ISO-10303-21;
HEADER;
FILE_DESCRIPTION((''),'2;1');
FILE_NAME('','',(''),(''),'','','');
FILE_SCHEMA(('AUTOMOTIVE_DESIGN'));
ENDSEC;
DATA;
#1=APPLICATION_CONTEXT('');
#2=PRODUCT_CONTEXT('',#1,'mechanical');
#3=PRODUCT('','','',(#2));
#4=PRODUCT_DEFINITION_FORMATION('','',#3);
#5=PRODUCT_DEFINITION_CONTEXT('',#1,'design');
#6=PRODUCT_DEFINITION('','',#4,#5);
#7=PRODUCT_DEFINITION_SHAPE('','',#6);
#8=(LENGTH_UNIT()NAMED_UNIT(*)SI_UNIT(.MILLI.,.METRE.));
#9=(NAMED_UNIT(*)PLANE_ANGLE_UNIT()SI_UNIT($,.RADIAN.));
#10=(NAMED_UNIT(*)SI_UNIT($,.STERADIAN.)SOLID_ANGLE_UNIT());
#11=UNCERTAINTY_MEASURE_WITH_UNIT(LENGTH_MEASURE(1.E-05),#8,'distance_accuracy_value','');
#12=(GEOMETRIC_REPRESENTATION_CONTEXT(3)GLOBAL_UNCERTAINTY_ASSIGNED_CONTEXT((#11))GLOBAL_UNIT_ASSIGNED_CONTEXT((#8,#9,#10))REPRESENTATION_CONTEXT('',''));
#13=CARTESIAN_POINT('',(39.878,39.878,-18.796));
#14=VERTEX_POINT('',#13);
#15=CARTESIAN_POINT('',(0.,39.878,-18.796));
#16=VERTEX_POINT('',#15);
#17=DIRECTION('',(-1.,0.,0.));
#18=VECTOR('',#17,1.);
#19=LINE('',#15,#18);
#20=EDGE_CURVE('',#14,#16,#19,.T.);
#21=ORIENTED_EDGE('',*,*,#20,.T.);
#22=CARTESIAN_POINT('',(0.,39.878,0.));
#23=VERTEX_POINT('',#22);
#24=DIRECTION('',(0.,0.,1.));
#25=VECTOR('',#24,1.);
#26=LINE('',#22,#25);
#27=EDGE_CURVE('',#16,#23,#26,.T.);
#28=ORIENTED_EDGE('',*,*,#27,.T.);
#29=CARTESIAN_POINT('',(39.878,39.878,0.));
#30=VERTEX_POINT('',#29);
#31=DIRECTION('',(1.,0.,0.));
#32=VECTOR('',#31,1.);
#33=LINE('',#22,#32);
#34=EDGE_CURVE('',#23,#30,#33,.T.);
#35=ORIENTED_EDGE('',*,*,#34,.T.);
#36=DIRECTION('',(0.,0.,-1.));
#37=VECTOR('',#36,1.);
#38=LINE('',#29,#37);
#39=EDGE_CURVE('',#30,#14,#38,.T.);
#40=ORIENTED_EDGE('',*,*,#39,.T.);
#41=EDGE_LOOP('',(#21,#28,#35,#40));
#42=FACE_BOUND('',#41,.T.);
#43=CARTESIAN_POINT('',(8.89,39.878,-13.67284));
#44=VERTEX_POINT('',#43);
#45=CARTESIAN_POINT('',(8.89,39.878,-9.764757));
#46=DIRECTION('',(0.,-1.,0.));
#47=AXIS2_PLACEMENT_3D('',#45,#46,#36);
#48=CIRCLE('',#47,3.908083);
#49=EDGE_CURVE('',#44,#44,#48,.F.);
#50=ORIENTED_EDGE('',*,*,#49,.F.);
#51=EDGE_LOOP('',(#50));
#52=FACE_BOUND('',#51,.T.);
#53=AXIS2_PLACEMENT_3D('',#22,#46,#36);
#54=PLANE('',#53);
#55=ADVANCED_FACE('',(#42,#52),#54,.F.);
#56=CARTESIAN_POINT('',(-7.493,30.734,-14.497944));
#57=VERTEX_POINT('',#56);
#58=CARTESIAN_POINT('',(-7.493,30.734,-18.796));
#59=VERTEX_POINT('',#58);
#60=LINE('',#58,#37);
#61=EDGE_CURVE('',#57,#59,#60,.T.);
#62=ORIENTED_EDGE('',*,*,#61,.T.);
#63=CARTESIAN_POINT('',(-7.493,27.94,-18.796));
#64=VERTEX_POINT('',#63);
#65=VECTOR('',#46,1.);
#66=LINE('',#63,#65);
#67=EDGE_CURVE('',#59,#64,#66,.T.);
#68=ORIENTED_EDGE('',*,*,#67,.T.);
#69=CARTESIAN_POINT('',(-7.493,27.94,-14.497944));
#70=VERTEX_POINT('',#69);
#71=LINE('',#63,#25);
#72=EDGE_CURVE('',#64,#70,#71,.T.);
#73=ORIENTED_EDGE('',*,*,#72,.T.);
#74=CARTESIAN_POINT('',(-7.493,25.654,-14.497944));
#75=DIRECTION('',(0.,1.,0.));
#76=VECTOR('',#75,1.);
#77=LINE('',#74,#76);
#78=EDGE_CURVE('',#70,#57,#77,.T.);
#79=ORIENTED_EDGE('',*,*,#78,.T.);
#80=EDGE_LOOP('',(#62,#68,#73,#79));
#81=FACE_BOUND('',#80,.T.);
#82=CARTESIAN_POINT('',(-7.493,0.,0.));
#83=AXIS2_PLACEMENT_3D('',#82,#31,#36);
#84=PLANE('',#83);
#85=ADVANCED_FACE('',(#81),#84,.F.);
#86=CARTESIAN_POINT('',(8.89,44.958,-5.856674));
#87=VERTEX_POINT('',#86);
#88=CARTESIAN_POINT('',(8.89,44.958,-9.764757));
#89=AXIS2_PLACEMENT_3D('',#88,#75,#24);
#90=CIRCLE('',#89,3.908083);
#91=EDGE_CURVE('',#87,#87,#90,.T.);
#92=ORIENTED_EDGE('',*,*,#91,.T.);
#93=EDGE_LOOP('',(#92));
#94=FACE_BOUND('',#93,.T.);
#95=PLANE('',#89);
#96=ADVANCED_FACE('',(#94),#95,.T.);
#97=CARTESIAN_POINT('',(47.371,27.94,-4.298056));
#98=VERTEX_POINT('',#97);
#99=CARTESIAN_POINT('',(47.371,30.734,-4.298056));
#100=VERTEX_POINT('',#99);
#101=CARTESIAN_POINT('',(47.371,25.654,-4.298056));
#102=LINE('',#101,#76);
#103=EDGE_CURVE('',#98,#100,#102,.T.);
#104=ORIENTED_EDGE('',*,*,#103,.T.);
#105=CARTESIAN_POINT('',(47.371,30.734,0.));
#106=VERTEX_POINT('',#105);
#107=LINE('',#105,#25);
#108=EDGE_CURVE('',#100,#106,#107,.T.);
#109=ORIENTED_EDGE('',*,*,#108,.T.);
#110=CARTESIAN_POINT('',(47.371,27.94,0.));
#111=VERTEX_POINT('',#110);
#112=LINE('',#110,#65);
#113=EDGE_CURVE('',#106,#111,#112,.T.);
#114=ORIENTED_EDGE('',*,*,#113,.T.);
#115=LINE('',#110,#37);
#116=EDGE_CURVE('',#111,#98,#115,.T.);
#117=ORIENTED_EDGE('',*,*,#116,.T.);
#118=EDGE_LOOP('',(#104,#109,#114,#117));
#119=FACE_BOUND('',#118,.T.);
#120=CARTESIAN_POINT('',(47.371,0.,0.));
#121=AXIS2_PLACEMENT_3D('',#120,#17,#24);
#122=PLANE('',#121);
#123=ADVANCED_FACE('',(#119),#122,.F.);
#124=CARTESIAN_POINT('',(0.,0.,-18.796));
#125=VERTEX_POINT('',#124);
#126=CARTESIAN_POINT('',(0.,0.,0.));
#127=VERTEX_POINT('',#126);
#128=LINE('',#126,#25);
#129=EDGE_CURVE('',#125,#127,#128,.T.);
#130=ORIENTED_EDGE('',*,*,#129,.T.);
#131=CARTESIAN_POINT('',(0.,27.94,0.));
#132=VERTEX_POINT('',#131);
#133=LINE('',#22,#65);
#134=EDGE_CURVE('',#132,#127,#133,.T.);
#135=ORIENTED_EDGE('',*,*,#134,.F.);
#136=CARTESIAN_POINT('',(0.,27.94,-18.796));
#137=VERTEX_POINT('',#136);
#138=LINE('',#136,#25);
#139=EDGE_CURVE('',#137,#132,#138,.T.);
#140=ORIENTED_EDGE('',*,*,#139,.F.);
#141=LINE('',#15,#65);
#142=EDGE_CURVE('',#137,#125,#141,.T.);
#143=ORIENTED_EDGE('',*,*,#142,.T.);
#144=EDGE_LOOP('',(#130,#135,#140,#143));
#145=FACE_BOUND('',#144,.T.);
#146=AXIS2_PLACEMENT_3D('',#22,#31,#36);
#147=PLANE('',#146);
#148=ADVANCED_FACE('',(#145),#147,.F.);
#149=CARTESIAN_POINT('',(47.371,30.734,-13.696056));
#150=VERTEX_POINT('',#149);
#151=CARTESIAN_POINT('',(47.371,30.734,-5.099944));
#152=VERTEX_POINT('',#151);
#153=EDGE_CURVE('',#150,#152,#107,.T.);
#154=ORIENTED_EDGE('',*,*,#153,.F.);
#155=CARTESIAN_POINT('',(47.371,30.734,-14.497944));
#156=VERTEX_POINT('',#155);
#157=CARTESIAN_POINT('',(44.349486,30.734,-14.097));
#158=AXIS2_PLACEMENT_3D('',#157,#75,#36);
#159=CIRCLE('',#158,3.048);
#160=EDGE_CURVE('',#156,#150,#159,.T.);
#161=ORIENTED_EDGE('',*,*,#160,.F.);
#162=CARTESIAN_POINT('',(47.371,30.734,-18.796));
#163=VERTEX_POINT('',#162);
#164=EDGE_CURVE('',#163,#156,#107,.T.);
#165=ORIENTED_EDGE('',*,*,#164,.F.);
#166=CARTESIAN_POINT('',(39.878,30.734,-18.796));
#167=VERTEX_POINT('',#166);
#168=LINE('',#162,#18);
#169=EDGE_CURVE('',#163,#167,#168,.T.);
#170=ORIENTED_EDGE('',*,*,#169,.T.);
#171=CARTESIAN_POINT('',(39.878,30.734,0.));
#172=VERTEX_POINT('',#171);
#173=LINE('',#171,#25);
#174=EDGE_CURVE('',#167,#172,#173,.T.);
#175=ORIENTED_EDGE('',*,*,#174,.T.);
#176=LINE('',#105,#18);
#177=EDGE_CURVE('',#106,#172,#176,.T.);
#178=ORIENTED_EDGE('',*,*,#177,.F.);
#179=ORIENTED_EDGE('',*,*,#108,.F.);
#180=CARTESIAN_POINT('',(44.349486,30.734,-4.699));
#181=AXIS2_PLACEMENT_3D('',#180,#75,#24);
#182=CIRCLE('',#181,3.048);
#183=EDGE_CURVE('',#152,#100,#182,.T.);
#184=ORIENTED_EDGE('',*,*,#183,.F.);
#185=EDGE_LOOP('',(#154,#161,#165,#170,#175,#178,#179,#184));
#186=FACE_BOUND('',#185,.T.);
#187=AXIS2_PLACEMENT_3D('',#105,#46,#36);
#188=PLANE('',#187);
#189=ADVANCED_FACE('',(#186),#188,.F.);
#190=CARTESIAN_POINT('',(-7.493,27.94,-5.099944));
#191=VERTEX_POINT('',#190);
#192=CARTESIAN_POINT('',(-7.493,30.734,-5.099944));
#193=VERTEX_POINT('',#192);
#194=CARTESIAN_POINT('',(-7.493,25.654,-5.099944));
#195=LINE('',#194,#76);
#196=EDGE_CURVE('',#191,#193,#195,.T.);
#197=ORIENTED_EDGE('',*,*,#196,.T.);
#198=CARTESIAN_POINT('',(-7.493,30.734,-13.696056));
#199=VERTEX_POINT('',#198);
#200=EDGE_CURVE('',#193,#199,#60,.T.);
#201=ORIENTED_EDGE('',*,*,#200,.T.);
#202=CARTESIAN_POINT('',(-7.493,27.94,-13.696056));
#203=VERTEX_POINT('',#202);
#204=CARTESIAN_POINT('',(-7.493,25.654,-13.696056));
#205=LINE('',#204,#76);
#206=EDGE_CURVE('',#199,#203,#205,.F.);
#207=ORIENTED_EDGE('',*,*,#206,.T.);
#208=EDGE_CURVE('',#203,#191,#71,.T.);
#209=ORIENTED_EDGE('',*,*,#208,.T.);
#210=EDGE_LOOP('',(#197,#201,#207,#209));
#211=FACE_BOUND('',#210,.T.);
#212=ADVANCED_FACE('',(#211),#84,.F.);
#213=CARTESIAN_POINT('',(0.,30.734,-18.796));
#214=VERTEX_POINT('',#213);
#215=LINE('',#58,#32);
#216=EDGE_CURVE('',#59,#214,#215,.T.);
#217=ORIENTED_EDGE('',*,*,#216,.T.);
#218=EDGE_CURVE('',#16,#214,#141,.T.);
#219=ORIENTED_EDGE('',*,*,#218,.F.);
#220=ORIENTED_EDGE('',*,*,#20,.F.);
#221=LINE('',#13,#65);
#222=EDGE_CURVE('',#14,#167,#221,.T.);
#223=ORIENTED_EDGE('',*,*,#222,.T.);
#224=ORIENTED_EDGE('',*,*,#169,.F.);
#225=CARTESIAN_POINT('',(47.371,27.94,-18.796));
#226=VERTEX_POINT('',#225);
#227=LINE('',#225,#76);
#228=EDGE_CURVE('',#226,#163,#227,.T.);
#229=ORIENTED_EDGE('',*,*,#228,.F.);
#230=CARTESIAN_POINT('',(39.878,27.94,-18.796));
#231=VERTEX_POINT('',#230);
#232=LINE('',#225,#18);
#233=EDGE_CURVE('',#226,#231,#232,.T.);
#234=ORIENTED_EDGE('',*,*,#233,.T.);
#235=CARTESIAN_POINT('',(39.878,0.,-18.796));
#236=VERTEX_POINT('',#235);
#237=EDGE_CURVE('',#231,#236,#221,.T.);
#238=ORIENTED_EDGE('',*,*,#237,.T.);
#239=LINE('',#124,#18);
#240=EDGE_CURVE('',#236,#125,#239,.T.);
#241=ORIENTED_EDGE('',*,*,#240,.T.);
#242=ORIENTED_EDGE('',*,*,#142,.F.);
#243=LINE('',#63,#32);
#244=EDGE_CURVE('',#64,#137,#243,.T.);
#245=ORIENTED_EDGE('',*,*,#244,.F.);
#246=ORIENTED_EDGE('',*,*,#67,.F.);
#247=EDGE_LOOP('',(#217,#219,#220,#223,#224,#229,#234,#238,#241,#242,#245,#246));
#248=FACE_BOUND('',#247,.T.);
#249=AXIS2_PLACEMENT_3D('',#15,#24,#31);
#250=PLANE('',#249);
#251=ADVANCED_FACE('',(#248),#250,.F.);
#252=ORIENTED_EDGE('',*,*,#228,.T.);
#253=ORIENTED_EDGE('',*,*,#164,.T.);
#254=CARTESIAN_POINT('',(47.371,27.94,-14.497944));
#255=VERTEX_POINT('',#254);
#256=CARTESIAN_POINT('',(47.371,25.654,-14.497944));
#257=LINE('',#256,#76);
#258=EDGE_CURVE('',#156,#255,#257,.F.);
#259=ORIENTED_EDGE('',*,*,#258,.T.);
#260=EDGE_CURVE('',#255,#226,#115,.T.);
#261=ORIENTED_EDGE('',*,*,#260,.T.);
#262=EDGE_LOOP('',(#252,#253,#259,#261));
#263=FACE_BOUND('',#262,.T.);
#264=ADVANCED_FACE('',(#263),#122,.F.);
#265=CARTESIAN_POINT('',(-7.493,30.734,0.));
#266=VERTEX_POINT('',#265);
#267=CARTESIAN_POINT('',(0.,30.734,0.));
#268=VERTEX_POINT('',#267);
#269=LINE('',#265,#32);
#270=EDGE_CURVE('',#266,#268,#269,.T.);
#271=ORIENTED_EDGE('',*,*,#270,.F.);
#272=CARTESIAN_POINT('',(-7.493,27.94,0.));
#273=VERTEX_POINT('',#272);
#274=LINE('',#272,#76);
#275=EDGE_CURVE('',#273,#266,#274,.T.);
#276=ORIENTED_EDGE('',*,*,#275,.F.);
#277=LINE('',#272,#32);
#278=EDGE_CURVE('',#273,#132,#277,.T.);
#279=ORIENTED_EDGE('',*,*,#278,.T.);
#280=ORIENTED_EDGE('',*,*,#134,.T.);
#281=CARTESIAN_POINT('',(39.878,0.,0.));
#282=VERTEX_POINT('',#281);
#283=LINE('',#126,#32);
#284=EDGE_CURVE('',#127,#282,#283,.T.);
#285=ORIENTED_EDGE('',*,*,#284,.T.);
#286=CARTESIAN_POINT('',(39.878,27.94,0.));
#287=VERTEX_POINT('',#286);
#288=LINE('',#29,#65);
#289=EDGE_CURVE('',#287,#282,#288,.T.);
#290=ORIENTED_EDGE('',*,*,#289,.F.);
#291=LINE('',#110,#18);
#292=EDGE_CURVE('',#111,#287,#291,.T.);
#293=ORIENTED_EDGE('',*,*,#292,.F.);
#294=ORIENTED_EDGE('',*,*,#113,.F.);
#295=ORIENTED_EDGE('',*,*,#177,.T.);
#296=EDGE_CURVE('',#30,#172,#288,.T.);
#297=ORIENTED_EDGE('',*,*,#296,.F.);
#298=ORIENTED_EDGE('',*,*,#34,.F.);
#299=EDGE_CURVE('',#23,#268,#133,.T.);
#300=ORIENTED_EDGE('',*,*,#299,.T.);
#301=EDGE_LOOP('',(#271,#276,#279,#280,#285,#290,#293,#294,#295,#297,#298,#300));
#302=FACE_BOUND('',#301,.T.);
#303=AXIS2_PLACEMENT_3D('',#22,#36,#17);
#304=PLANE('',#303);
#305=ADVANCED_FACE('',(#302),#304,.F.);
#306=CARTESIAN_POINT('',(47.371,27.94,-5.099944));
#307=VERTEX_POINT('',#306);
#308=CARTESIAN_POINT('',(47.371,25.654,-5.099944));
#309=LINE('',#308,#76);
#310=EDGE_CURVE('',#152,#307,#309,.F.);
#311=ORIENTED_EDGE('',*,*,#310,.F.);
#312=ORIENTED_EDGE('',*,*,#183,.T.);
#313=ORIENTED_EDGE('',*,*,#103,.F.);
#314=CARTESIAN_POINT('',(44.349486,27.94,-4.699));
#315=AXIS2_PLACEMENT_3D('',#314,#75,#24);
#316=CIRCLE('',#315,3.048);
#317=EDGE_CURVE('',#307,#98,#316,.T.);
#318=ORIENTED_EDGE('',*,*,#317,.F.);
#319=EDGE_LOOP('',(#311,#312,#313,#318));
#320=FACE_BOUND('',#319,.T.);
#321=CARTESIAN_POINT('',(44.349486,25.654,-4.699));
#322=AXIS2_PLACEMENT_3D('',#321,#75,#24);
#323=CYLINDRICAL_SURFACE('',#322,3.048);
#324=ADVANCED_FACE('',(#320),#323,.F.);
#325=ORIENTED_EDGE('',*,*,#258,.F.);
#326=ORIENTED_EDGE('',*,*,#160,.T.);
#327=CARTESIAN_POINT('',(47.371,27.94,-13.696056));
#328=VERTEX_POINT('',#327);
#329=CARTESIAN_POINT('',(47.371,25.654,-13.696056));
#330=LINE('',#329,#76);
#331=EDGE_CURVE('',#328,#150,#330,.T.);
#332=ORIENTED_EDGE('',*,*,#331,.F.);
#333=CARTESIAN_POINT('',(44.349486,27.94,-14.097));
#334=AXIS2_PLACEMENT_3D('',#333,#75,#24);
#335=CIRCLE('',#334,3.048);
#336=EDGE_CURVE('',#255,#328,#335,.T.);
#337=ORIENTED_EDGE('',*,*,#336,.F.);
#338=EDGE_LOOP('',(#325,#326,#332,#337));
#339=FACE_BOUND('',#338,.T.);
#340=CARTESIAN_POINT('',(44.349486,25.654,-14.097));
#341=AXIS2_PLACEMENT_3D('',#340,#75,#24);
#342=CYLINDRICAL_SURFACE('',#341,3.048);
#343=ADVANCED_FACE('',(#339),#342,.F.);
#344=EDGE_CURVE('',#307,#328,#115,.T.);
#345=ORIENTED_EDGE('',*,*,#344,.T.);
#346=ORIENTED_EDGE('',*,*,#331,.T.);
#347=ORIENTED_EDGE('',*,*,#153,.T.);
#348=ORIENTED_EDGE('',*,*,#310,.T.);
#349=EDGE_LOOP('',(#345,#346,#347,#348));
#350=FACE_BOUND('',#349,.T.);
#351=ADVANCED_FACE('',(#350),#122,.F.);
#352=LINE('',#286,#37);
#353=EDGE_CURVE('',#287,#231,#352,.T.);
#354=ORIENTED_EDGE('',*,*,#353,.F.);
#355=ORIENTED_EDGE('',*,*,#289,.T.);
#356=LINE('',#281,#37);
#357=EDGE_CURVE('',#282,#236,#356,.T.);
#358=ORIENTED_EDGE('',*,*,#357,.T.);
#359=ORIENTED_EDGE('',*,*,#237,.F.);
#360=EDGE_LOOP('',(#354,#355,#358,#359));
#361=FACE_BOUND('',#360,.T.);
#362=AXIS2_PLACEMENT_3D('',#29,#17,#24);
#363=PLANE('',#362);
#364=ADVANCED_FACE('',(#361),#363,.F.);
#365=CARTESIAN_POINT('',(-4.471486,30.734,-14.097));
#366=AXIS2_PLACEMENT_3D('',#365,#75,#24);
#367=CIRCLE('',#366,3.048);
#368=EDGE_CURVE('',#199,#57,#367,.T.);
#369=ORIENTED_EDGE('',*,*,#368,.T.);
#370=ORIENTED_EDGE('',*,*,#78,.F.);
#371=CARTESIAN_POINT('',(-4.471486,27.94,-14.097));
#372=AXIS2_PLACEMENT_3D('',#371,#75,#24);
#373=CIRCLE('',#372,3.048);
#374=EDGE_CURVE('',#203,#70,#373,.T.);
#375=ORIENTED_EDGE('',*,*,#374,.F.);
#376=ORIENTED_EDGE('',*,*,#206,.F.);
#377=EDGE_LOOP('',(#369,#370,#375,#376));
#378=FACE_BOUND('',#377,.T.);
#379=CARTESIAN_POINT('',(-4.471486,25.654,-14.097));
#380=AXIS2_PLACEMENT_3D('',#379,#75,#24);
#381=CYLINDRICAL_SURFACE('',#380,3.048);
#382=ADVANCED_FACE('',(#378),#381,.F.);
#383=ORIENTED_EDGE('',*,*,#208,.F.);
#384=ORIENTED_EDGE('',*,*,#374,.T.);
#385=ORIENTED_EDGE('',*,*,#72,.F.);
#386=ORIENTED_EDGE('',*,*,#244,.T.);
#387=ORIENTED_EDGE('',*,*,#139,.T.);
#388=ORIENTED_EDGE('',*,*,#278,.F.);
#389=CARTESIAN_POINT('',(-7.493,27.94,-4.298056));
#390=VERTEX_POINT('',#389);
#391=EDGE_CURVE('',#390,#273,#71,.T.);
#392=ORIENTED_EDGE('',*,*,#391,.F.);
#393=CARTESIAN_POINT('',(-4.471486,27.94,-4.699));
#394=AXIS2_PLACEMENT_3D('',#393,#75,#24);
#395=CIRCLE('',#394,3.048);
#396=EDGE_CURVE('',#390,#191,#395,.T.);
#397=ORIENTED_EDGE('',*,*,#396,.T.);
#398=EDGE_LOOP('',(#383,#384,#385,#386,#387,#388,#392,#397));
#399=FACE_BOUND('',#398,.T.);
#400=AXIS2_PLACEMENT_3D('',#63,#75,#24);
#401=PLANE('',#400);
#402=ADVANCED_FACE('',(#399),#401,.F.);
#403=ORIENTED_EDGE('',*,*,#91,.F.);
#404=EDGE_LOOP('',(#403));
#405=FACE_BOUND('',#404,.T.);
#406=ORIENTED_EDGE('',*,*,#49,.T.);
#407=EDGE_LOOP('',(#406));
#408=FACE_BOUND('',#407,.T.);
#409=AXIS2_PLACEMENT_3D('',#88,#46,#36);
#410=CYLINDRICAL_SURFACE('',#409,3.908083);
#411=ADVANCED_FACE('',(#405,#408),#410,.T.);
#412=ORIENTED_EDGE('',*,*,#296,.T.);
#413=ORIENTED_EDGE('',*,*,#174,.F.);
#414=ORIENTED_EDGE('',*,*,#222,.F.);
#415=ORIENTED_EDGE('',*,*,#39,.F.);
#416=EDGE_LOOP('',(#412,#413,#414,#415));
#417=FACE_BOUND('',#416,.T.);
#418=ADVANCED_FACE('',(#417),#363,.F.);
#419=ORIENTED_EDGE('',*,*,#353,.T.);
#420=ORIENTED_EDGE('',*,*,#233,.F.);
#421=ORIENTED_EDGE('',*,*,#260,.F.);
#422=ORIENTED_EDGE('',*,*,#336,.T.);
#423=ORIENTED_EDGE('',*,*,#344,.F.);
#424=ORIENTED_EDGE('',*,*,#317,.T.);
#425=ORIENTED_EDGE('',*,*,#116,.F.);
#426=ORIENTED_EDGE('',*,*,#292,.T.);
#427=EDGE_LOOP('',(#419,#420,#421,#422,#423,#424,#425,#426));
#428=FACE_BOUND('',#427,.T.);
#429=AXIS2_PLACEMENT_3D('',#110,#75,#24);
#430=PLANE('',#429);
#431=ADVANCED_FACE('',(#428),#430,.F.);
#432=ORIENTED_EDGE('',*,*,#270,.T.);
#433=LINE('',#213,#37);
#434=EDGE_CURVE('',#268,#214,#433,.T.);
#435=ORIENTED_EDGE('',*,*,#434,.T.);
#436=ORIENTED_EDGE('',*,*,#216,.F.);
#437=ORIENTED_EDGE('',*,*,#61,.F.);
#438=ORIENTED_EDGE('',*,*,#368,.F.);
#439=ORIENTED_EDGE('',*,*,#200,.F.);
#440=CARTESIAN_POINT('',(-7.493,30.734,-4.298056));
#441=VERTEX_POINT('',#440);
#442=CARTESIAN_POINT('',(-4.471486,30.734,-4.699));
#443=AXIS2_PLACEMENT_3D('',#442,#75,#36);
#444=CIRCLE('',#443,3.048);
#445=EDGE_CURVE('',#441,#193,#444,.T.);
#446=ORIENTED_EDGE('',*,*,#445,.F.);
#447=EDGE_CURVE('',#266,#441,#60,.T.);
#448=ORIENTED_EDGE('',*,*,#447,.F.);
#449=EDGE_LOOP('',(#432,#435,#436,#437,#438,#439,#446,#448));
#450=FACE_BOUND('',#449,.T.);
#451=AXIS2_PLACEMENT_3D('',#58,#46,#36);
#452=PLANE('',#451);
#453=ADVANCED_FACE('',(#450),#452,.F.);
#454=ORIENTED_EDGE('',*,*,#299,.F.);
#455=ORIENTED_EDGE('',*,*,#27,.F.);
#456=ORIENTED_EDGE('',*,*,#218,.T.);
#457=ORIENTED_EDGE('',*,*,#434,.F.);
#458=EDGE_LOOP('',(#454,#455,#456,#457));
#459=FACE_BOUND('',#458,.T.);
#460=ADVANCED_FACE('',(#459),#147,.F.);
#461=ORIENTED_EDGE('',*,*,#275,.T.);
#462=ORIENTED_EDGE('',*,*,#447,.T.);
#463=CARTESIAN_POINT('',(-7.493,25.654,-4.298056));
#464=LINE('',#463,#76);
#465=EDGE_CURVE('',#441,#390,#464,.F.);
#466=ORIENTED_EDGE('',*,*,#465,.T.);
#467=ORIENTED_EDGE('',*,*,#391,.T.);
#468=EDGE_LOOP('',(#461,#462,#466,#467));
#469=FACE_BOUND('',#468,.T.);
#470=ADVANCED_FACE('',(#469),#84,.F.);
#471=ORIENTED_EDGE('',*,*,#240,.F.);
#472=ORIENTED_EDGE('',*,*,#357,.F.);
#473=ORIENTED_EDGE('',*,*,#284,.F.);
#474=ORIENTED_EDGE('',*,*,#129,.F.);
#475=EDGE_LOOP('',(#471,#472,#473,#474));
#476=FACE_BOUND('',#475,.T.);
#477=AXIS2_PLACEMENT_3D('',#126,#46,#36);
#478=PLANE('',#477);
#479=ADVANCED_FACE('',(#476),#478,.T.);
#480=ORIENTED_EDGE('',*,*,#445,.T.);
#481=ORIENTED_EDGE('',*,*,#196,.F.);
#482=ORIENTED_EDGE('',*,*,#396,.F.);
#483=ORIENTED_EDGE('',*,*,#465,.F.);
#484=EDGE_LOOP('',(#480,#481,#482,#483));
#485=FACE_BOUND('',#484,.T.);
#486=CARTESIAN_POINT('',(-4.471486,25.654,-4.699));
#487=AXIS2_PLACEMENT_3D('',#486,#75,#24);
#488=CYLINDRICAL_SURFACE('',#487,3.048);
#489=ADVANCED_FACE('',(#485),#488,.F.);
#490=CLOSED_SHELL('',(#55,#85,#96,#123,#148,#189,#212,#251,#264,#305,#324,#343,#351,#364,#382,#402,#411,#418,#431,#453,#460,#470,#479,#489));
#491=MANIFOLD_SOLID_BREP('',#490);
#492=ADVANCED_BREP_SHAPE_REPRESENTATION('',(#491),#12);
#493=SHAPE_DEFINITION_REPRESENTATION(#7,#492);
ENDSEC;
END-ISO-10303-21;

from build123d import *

# Parameters (mm, degrees)
SKETCH1_W           = 39.878
SKETCH1_H           = 18.796
BOSS_EXTRUDE1_DEPTH = 39.878
SKETCH2_W           = 18.796
SKETCH2_H           = 2.794
BOSS_EXTRUDE2_DEPTH = 7.493
SKETCH3_W           = 18.796
SKETCH3_H           = 2.794
BOSS_EXTRUDE3_DEPTH = 7.493
SKETCH6_R           = 3.908083023
BOSS_EXTRUDE5_DEPTH = 5.08
SKETCH7_R           = 3.048
CUT_EXTRUDE1_DEPTH  = 5.08


with BuildPart() as part:
    # Sketch1 → Boss-Extrude1 (new body)
    with BuildSketch(Plane(origin=(0, 0, 0), x_dir=(1, 0, 0), z_dir=(0, 1, 0))):
        with Locations((19.939, 9.398)):
            Rectangle(SKETCH1_W, SKETCH1_H)
    extrude(amount=BOSS_EXTRUDE1_DEPTH)

    # Sketch2 → Boss-Extrude2 (add)
    with BuildSketch(Plane.ZY):
        with Locations((-9.398, 29.337)):
            Rectangle(SKETCH2_W, SKETCH2_H)
    extrude(amount=BOSS_EXTRUDE2_DEPTH)

    # Sketch3 → Boss-Extrude3 (add)
    with BuildSketch(Plane(origin=(39.878, 0, 0), x_dir=(0, 0, -1), z_dir=(1, 0, 0))):
        with Locations((9.398, 29.337)):
            Rectangle(SKETCH3_W, SKETCH3_H)
    extrude(amount=BOSS_EXTRUDE3_DEPTH)

    # Sketch6 → Boss-Extrude5 (add)
    with BuildSketch(Plane(origin=(0, 39.878, 0), x_dir=(1, 0, 0), z_dir=(0, 1, 0))):
        with Locations(Location((8.89, 9.764757061, 0), (0, 0, 90))):
            Circle(SKETCH6_R)
    extrude(amount=BOSS_EXTRUDE5_DEPTH)

    # Sketch7 → Cut-Extrude1 (cut)
    with BuildSketch(Plane(origin=(0, 30.734, 0), x_dir=(1, 0, 0), z_dir=(0, 1, 0))):
        with Locations((-4.471485828, 14.097)):
            Circle(SKETCH7_R)
        with Locations((-4.471485828, 4.699)):
            Circle(SKETCH7_R)
        with Locations((44.349485828, 4.699)):
            Circle(SKETCH7_R)
        with Locations((44.349485828, 14.097)):
            Circle(SKETCH7_R)
    extrude(amount=-CUT_EXTRUDE1_DEPTH, mode=Mode.SUBTRACT)


solid = part.part
